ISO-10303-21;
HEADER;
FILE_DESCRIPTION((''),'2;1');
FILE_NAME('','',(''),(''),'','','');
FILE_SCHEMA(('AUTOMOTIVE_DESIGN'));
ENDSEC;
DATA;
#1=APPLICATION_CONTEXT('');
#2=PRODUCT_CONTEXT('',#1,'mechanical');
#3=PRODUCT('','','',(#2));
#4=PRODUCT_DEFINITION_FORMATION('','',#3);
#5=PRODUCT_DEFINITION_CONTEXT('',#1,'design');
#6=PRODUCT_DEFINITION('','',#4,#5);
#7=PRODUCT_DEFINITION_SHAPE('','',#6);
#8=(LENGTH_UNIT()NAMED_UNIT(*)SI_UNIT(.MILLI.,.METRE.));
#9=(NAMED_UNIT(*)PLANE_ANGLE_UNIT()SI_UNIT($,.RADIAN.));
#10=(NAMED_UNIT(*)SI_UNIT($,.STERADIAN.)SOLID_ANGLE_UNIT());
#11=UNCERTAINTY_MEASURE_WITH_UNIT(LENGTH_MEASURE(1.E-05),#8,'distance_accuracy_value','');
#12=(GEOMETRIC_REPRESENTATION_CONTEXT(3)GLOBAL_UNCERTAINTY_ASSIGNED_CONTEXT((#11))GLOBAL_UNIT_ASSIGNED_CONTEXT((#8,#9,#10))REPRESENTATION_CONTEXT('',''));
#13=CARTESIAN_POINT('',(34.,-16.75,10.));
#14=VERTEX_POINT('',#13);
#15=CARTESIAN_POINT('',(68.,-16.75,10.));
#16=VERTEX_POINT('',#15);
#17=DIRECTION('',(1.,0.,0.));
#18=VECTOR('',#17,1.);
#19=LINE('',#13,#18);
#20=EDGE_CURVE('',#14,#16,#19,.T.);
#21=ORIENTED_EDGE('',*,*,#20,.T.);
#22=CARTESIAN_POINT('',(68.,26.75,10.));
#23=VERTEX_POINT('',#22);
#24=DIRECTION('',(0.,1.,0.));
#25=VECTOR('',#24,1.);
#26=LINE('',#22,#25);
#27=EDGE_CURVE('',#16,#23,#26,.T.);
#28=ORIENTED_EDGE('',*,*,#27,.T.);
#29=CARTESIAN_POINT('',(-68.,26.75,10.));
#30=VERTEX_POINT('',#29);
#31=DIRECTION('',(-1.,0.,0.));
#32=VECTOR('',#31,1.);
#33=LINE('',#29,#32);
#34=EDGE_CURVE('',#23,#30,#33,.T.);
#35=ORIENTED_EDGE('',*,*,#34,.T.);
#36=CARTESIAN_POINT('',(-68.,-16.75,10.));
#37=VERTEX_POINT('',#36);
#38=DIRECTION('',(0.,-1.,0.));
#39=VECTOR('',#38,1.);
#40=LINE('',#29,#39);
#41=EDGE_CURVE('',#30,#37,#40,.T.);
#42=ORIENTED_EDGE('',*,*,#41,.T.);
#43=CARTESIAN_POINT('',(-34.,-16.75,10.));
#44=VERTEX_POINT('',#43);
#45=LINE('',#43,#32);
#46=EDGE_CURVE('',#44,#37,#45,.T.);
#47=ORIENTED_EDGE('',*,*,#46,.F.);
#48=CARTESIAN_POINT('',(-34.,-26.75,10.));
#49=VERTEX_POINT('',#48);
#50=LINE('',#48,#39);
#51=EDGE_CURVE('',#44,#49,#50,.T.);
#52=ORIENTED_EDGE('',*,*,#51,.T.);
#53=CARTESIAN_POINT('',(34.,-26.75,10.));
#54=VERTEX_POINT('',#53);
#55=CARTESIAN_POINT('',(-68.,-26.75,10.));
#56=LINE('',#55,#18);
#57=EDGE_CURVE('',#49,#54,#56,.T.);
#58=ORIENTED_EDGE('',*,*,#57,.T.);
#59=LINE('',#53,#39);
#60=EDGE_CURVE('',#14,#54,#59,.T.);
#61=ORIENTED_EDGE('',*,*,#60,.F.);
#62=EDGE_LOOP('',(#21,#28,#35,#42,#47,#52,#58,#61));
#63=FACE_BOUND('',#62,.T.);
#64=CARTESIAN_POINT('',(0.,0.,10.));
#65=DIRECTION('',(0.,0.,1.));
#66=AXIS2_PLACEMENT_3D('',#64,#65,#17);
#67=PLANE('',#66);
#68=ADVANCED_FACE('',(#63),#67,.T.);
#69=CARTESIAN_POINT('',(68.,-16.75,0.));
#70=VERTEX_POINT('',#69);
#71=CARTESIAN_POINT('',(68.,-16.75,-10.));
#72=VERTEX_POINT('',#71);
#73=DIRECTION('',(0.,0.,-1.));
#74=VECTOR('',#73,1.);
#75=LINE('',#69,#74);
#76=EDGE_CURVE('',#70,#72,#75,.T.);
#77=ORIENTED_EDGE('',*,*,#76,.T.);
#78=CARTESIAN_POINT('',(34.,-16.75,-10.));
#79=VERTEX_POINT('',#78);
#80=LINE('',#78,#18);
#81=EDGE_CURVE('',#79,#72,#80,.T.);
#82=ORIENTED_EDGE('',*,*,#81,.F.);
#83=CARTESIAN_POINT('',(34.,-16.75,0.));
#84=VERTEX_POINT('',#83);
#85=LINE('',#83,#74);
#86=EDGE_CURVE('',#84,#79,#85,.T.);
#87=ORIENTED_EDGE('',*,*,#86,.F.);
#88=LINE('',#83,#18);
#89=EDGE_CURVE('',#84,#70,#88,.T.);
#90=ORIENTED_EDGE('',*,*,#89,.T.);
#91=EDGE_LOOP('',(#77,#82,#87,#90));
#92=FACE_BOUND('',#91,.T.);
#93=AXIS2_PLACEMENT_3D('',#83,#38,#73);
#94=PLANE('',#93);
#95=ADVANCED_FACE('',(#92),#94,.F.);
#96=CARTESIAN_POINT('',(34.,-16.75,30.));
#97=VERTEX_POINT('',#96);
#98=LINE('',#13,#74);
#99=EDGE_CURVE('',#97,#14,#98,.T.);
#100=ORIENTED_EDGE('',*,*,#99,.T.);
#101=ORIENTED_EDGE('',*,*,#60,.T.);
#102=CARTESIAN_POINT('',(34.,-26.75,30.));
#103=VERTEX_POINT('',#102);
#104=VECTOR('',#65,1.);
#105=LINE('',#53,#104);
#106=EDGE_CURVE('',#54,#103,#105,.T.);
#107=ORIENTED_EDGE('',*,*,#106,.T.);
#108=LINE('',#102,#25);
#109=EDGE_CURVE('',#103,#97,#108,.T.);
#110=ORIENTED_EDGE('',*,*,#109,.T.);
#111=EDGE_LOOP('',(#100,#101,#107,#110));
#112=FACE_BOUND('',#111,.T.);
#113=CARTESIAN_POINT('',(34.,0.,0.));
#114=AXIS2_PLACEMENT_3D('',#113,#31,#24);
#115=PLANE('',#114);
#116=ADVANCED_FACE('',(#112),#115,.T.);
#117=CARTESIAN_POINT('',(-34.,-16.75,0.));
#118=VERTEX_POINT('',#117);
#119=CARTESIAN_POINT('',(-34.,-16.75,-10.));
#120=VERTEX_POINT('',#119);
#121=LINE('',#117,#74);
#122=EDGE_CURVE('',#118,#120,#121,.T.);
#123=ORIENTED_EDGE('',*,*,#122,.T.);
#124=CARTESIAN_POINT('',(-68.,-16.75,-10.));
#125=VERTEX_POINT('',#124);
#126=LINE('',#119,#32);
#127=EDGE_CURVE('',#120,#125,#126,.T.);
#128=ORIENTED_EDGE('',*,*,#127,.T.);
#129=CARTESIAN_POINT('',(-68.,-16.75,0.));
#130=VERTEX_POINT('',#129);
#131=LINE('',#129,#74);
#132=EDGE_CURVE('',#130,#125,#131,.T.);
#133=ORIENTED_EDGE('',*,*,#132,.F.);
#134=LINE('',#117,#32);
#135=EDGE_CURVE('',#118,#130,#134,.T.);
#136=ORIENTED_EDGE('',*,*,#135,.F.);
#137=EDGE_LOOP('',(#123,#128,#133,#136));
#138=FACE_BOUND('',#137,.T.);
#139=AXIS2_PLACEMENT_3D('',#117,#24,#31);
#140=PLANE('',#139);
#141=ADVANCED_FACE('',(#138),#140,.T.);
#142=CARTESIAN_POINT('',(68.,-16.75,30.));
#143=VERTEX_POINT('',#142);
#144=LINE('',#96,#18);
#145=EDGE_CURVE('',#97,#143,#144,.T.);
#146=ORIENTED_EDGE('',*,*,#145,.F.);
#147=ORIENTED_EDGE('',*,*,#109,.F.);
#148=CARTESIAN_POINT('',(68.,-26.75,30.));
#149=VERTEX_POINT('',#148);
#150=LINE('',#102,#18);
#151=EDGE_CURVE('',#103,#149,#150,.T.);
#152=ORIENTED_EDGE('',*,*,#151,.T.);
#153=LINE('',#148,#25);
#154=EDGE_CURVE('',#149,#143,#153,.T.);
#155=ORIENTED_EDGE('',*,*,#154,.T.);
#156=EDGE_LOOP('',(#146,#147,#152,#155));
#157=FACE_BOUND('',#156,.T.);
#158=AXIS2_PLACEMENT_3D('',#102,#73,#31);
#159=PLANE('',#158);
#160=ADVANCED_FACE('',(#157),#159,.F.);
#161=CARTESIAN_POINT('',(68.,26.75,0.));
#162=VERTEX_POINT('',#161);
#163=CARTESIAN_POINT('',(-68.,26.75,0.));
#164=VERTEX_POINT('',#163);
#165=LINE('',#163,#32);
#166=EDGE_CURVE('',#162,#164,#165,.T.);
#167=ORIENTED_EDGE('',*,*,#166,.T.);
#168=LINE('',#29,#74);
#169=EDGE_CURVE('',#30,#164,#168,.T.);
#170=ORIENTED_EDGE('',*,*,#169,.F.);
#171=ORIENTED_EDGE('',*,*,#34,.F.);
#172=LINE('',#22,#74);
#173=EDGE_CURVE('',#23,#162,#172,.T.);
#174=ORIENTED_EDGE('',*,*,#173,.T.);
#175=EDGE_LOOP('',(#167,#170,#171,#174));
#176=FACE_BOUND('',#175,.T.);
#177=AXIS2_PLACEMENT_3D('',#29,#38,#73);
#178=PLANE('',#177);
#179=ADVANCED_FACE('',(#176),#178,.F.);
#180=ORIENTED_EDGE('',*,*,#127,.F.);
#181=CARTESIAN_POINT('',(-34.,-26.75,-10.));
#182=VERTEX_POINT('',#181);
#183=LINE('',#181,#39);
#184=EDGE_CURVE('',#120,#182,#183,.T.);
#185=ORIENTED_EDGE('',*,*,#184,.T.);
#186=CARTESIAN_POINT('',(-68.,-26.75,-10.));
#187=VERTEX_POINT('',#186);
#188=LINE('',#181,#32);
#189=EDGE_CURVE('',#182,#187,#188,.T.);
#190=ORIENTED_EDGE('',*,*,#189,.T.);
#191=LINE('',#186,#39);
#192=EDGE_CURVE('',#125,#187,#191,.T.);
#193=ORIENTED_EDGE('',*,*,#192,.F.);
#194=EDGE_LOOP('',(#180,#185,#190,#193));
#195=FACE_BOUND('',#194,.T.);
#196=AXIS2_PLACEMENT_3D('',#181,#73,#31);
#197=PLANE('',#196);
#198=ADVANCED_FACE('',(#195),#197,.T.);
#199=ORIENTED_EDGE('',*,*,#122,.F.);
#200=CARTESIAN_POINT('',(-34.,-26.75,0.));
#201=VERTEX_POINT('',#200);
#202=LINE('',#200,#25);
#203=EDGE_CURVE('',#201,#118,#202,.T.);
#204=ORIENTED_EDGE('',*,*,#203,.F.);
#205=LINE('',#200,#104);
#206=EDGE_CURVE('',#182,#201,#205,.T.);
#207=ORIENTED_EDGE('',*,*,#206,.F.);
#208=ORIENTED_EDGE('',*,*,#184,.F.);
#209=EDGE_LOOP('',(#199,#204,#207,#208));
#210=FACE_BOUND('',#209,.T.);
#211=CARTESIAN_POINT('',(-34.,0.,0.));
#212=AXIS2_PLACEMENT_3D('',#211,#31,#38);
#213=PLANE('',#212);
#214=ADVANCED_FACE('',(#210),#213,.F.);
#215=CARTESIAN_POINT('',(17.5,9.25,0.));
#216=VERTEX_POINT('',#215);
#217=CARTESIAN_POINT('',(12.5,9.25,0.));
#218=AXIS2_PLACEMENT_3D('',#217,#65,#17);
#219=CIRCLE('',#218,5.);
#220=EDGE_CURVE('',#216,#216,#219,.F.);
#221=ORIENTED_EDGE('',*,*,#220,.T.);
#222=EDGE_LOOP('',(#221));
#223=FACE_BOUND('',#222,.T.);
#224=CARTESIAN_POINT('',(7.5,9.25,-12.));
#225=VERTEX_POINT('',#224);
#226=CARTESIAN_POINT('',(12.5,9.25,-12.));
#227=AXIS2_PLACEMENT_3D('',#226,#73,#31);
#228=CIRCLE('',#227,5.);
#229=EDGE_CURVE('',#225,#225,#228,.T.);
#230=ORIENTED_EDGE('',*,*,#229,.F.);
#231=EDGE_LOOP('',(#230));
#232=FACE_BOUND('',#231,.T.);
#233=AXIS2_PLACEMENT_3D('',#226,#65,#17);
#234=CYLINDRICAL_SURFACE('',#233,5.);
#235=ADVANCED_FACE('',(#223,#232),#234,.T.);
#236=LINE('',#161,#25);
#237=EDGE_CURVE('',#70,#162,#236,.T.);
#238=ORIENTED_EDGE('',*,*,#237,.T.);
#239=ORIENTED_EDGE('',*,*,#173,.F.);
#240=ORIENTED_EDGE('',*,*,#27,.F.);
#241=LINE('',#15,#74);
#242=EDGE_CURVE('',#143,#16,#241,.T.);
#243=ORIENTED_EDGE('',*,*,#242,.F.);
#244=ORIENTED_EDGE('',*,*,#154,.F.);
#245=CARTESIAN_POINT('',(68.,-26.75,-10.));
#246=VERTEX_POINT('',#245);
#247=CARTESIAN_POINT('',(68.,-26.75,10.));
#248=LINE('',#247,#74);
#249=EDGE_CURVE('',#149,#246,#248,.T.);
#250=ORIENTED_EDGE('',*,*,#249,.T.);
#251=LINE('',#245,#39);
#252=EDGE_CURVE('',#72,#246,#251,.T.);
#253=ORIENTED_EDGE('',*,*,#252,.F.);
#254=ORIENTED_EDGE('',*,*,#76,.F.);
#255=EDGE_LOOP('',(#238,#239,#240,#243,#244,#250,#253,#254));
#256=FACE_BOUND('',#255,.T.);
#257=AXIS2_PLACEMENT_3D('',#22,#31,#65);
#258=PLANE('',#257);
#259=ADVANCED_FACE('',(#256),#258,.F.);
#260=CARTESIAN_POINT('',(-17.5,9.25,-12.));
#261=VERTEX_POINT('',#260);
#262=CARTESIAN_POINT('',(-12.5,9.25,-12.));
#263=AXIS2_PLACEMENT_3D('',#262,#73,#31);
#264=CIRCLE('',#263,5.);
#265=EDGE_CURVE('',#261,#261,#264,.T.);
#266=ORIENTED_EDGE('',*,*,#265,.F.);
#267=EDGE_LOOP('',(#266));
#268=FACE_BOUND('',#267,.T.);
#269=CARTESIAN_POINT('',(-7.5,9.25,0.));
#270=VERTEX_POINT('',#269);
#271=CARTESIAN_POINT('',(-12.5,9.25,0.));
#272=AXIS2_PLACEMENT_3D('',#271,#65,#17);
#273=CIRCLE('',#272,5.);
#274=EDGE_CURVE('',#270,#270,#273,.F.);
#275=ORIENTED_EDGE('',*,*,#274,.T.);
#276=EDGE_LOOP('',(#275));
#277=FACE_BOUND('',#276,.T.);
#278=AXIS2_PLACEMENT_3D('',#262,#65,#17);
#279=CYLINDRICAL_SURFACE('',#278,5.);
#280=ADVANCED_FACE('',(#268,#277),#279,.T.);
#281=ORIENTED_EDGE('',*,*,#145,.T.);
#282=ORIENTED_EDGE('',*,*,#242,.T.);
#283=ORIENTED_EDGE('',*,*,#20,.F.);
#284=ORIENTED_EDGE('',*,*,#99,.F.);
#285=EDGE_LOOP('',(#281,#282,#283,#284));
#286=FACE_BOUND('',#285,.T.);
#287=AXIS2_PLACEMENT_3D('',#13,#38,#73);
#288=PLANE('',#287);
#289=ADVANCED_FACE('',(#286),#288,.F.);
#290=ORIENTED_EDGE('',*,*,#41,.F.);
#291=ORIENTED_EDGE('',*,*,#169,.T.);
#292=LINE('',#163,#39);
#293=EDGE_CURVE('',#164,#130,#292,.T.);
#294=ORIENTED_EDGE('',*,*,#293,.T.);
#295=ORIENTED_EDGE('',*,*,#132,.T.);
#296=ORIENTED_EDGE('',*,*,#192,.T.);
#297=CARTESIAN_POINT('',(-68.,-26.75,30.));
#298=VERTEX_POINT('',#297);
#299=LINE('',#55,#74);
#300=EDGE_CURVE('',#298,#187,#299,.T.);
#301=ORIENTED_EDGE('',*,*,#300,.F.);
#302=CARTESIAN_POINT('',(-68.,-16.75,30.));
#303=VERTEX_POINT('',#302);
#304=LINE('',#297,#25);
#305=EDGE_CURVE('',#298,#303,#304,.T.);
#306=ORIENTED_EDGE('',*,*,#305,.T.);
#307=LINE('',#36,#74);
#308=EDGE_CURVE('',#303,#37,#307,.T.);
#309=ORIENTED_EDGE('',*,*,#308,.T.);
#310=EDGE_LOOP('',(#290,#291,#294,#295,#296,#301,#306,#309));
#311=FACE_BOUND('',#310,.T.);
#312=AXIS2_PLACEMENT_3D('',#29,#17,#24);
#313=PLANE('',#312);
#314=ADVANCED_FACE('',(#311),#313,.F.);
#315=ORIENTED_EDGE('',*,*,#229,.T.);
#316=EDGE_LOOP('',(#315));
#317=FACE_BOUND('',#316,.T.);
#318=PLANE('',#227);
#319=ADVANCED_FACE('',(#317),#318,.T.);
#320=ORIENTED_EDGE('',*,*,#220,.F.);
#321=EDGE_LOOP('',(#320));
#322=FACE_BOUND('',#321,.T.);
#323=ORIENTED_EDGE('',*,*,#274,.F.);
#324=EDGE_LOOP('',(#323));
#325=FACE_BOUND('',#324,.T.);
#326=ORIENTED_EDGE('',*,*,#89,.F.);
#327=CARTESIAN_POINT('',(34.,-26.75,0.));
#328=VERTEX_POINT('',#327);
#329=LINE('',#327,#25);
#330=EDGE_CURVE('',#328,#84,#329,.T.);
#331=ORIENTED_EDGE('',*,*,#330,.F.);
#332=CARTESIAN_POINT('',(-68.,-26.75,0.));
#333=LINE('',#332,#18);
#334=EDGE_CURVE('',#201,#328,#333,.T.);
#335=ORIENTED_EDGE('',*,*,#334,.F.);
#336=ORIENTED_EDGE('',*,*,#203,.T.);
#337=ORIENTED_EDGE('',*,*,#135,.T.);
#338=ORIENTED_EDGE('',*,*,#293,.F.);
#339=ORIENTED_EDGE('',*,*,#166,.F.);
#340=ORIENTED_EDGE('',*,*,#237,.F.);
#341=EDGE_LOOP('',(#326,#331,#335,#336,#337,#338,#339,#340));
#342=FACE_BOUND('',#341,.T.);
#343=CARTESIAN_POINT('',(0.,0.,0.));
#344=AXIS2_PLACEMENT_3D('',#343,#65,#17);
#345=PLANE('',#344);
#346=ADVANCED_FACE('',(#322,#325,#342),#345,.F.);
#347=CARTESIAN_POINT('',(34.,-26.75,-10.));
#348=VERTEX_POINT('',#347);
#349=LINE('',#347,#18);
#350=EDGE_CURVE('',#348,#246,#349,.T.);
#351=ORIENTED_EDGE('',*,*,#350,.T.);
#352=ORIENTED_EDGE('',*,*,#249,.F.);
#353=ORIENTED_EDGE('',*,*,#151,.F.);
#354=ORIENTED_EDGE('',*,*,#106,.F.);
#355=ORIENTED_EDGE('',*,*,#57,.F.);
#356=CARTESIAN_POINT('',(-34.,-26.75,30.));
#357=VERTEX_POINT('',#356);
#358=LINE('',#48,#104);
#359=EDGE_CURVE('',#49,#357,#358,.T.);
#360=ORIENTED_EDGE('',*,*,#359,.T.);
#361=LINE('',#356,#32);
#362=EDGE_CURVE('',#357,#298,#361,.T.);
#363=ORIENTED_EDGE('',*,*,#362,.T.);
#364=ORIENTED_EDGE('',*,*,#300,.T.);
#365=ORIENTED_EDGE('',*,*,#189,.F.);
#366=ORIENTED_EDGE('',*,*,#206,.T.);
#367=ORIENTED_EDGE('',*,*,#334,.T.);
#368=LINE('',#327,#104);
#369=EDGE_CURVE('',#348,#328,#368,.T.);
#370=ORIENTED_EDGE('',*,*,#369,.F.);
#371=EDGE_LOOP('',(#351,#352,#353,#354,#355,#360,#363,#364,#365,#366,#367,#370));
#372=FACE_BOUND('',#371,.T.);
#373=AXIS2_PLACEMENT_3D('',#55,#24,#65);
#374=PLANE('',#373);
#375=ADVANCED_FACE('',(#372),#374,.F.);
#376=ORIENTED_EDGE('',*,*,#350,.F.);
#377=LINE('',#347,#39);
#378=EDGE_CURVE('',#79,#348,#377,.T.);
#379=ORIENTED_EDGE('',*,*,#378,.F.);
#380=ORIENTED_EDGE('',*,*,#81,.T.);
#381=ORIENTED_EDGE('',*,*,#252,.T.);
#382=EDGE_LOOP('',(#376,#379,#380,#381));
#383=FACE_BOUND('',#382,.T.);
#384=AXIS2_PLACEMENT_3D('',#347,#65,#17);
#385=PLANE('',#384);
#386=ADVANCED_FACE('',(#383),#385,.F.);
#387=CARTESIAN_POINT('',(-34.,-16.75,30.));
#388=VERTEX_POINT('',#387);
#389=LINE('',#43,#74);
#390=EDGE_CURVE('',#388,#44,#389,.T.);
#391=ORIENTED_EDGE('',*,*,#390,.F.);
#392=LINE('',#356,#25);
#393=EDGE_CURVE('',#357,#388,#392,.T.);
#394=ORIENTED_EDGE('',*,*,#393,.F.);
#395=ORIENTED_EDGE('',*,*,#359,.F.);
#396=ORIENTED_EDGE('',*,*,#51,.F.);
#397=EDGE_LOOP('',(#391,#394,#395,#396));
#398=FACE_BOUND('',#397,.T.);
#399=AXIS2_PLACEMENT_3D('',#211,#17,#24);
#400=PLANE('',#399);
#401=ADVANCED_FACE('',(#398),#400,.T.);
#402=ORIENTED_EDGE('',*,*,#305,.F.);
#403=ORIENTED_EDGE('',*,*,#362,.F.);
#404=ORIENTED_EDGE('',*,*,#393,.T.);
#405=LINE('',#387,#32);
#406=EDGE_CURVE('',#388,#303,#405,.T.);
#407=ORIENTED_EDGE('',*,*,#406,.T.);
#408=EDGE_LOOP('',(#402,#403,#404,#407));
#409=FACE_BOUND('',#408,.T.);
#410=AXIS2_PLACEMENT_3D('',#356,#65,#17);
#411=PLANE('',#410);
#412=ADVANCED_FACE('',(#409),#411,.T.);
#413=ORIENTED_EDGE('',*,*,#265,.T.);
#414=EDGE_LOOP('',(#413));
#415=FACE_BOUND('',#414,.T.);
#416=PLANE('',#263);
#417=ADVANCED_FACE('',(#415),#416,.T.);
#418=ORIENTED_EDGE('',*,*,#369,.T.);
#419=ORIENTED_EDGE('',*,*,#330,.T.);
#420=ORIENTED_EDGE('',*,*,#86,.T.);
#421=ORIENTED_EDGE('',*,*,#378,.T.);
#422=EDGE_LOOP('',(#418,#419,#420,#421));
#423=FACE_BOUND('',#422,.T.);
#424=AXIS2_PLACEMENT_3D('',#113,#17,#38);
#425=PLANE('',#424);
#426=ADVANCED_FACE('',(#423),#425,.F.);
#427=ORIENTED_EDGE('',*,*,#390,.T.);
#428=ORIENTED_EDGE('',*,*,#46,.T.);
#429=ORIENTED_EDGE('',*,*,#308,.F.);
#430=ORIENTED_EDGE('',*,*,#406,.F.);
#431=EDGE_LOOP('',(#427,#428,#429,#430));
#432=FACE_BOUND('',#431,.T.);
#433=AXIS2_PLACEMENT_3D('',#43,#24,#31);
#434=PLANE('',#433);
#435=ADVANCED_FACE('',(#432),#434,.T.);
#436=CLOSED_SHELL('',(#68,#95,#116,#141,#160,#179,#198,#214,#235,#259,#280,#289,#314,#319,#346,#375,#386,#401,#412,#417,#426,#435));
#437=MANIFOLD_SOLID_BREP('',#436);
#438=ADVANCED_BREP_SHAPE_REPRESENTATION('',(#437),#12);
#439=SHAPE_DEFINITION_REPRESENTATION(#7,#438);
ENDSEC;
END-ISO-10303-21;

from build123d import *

# Parameters (mm, degrees)
SKETCH1_W           = 136
SKETCH1_H           = 53.5
BOSS_EXTRUDE1_DEPTH = 10
SKETCH2_R           = 5
BOSS_EXTRUDE2_DEPTH = 12
SKETCH3_W           = 10
SKETCH3_H           = 10
SKETCH3_W_2         = 20
BOSS_EXTRUDE3_DEPTH = 34


with BuildPart() as part:
    # Sketch1 → Boss-Extrude1 (new body)
    with BuildSketch(Plane.XY):
        Rectangle(SKETCH1_W, SKETCH1_H)
    extrude(amount=BOSS_EXTRUDE1_DEPTH)

    # Sketch2 → Boss-Extrude2 (add)
    with BuildSketch(Plane(origin=(0, 0, 0), x_dir=(-1, 0, 0), z_dir=(0, 0, -1))):
        with Locations(Location((12.5, 9.25, 0), (0, 0, 180))):
            Circle(SKETCH2_R)
        with Locations(Location((-12.5, 9.25, 0), (0, 0, 180))):
            Circle(SKETCH2_R)
    extrude(amount=BOSS_EXTRUDE2_DEPTH)

    # Sketch3 → Boss-Extrude3 (add)
    with BuildSketch(Plane.ZY.offset(68)):
        with Locations((-5, -21.75)):
            Rectangle(SKETCH3_W, SKETCH3_H)
        with Locations((20, -21.75)):
            Rectangle(SKETCH3_W_2, SKETCH3_H)
    boss_extrude3 = extrude(amount=-BOSS_EXTRUDE3_DEPTH)

    # Mirror2: Boss-Extrude3 across plane
    add(boss_extrude3.mirror(Plane.ZY))


solid = part.part
